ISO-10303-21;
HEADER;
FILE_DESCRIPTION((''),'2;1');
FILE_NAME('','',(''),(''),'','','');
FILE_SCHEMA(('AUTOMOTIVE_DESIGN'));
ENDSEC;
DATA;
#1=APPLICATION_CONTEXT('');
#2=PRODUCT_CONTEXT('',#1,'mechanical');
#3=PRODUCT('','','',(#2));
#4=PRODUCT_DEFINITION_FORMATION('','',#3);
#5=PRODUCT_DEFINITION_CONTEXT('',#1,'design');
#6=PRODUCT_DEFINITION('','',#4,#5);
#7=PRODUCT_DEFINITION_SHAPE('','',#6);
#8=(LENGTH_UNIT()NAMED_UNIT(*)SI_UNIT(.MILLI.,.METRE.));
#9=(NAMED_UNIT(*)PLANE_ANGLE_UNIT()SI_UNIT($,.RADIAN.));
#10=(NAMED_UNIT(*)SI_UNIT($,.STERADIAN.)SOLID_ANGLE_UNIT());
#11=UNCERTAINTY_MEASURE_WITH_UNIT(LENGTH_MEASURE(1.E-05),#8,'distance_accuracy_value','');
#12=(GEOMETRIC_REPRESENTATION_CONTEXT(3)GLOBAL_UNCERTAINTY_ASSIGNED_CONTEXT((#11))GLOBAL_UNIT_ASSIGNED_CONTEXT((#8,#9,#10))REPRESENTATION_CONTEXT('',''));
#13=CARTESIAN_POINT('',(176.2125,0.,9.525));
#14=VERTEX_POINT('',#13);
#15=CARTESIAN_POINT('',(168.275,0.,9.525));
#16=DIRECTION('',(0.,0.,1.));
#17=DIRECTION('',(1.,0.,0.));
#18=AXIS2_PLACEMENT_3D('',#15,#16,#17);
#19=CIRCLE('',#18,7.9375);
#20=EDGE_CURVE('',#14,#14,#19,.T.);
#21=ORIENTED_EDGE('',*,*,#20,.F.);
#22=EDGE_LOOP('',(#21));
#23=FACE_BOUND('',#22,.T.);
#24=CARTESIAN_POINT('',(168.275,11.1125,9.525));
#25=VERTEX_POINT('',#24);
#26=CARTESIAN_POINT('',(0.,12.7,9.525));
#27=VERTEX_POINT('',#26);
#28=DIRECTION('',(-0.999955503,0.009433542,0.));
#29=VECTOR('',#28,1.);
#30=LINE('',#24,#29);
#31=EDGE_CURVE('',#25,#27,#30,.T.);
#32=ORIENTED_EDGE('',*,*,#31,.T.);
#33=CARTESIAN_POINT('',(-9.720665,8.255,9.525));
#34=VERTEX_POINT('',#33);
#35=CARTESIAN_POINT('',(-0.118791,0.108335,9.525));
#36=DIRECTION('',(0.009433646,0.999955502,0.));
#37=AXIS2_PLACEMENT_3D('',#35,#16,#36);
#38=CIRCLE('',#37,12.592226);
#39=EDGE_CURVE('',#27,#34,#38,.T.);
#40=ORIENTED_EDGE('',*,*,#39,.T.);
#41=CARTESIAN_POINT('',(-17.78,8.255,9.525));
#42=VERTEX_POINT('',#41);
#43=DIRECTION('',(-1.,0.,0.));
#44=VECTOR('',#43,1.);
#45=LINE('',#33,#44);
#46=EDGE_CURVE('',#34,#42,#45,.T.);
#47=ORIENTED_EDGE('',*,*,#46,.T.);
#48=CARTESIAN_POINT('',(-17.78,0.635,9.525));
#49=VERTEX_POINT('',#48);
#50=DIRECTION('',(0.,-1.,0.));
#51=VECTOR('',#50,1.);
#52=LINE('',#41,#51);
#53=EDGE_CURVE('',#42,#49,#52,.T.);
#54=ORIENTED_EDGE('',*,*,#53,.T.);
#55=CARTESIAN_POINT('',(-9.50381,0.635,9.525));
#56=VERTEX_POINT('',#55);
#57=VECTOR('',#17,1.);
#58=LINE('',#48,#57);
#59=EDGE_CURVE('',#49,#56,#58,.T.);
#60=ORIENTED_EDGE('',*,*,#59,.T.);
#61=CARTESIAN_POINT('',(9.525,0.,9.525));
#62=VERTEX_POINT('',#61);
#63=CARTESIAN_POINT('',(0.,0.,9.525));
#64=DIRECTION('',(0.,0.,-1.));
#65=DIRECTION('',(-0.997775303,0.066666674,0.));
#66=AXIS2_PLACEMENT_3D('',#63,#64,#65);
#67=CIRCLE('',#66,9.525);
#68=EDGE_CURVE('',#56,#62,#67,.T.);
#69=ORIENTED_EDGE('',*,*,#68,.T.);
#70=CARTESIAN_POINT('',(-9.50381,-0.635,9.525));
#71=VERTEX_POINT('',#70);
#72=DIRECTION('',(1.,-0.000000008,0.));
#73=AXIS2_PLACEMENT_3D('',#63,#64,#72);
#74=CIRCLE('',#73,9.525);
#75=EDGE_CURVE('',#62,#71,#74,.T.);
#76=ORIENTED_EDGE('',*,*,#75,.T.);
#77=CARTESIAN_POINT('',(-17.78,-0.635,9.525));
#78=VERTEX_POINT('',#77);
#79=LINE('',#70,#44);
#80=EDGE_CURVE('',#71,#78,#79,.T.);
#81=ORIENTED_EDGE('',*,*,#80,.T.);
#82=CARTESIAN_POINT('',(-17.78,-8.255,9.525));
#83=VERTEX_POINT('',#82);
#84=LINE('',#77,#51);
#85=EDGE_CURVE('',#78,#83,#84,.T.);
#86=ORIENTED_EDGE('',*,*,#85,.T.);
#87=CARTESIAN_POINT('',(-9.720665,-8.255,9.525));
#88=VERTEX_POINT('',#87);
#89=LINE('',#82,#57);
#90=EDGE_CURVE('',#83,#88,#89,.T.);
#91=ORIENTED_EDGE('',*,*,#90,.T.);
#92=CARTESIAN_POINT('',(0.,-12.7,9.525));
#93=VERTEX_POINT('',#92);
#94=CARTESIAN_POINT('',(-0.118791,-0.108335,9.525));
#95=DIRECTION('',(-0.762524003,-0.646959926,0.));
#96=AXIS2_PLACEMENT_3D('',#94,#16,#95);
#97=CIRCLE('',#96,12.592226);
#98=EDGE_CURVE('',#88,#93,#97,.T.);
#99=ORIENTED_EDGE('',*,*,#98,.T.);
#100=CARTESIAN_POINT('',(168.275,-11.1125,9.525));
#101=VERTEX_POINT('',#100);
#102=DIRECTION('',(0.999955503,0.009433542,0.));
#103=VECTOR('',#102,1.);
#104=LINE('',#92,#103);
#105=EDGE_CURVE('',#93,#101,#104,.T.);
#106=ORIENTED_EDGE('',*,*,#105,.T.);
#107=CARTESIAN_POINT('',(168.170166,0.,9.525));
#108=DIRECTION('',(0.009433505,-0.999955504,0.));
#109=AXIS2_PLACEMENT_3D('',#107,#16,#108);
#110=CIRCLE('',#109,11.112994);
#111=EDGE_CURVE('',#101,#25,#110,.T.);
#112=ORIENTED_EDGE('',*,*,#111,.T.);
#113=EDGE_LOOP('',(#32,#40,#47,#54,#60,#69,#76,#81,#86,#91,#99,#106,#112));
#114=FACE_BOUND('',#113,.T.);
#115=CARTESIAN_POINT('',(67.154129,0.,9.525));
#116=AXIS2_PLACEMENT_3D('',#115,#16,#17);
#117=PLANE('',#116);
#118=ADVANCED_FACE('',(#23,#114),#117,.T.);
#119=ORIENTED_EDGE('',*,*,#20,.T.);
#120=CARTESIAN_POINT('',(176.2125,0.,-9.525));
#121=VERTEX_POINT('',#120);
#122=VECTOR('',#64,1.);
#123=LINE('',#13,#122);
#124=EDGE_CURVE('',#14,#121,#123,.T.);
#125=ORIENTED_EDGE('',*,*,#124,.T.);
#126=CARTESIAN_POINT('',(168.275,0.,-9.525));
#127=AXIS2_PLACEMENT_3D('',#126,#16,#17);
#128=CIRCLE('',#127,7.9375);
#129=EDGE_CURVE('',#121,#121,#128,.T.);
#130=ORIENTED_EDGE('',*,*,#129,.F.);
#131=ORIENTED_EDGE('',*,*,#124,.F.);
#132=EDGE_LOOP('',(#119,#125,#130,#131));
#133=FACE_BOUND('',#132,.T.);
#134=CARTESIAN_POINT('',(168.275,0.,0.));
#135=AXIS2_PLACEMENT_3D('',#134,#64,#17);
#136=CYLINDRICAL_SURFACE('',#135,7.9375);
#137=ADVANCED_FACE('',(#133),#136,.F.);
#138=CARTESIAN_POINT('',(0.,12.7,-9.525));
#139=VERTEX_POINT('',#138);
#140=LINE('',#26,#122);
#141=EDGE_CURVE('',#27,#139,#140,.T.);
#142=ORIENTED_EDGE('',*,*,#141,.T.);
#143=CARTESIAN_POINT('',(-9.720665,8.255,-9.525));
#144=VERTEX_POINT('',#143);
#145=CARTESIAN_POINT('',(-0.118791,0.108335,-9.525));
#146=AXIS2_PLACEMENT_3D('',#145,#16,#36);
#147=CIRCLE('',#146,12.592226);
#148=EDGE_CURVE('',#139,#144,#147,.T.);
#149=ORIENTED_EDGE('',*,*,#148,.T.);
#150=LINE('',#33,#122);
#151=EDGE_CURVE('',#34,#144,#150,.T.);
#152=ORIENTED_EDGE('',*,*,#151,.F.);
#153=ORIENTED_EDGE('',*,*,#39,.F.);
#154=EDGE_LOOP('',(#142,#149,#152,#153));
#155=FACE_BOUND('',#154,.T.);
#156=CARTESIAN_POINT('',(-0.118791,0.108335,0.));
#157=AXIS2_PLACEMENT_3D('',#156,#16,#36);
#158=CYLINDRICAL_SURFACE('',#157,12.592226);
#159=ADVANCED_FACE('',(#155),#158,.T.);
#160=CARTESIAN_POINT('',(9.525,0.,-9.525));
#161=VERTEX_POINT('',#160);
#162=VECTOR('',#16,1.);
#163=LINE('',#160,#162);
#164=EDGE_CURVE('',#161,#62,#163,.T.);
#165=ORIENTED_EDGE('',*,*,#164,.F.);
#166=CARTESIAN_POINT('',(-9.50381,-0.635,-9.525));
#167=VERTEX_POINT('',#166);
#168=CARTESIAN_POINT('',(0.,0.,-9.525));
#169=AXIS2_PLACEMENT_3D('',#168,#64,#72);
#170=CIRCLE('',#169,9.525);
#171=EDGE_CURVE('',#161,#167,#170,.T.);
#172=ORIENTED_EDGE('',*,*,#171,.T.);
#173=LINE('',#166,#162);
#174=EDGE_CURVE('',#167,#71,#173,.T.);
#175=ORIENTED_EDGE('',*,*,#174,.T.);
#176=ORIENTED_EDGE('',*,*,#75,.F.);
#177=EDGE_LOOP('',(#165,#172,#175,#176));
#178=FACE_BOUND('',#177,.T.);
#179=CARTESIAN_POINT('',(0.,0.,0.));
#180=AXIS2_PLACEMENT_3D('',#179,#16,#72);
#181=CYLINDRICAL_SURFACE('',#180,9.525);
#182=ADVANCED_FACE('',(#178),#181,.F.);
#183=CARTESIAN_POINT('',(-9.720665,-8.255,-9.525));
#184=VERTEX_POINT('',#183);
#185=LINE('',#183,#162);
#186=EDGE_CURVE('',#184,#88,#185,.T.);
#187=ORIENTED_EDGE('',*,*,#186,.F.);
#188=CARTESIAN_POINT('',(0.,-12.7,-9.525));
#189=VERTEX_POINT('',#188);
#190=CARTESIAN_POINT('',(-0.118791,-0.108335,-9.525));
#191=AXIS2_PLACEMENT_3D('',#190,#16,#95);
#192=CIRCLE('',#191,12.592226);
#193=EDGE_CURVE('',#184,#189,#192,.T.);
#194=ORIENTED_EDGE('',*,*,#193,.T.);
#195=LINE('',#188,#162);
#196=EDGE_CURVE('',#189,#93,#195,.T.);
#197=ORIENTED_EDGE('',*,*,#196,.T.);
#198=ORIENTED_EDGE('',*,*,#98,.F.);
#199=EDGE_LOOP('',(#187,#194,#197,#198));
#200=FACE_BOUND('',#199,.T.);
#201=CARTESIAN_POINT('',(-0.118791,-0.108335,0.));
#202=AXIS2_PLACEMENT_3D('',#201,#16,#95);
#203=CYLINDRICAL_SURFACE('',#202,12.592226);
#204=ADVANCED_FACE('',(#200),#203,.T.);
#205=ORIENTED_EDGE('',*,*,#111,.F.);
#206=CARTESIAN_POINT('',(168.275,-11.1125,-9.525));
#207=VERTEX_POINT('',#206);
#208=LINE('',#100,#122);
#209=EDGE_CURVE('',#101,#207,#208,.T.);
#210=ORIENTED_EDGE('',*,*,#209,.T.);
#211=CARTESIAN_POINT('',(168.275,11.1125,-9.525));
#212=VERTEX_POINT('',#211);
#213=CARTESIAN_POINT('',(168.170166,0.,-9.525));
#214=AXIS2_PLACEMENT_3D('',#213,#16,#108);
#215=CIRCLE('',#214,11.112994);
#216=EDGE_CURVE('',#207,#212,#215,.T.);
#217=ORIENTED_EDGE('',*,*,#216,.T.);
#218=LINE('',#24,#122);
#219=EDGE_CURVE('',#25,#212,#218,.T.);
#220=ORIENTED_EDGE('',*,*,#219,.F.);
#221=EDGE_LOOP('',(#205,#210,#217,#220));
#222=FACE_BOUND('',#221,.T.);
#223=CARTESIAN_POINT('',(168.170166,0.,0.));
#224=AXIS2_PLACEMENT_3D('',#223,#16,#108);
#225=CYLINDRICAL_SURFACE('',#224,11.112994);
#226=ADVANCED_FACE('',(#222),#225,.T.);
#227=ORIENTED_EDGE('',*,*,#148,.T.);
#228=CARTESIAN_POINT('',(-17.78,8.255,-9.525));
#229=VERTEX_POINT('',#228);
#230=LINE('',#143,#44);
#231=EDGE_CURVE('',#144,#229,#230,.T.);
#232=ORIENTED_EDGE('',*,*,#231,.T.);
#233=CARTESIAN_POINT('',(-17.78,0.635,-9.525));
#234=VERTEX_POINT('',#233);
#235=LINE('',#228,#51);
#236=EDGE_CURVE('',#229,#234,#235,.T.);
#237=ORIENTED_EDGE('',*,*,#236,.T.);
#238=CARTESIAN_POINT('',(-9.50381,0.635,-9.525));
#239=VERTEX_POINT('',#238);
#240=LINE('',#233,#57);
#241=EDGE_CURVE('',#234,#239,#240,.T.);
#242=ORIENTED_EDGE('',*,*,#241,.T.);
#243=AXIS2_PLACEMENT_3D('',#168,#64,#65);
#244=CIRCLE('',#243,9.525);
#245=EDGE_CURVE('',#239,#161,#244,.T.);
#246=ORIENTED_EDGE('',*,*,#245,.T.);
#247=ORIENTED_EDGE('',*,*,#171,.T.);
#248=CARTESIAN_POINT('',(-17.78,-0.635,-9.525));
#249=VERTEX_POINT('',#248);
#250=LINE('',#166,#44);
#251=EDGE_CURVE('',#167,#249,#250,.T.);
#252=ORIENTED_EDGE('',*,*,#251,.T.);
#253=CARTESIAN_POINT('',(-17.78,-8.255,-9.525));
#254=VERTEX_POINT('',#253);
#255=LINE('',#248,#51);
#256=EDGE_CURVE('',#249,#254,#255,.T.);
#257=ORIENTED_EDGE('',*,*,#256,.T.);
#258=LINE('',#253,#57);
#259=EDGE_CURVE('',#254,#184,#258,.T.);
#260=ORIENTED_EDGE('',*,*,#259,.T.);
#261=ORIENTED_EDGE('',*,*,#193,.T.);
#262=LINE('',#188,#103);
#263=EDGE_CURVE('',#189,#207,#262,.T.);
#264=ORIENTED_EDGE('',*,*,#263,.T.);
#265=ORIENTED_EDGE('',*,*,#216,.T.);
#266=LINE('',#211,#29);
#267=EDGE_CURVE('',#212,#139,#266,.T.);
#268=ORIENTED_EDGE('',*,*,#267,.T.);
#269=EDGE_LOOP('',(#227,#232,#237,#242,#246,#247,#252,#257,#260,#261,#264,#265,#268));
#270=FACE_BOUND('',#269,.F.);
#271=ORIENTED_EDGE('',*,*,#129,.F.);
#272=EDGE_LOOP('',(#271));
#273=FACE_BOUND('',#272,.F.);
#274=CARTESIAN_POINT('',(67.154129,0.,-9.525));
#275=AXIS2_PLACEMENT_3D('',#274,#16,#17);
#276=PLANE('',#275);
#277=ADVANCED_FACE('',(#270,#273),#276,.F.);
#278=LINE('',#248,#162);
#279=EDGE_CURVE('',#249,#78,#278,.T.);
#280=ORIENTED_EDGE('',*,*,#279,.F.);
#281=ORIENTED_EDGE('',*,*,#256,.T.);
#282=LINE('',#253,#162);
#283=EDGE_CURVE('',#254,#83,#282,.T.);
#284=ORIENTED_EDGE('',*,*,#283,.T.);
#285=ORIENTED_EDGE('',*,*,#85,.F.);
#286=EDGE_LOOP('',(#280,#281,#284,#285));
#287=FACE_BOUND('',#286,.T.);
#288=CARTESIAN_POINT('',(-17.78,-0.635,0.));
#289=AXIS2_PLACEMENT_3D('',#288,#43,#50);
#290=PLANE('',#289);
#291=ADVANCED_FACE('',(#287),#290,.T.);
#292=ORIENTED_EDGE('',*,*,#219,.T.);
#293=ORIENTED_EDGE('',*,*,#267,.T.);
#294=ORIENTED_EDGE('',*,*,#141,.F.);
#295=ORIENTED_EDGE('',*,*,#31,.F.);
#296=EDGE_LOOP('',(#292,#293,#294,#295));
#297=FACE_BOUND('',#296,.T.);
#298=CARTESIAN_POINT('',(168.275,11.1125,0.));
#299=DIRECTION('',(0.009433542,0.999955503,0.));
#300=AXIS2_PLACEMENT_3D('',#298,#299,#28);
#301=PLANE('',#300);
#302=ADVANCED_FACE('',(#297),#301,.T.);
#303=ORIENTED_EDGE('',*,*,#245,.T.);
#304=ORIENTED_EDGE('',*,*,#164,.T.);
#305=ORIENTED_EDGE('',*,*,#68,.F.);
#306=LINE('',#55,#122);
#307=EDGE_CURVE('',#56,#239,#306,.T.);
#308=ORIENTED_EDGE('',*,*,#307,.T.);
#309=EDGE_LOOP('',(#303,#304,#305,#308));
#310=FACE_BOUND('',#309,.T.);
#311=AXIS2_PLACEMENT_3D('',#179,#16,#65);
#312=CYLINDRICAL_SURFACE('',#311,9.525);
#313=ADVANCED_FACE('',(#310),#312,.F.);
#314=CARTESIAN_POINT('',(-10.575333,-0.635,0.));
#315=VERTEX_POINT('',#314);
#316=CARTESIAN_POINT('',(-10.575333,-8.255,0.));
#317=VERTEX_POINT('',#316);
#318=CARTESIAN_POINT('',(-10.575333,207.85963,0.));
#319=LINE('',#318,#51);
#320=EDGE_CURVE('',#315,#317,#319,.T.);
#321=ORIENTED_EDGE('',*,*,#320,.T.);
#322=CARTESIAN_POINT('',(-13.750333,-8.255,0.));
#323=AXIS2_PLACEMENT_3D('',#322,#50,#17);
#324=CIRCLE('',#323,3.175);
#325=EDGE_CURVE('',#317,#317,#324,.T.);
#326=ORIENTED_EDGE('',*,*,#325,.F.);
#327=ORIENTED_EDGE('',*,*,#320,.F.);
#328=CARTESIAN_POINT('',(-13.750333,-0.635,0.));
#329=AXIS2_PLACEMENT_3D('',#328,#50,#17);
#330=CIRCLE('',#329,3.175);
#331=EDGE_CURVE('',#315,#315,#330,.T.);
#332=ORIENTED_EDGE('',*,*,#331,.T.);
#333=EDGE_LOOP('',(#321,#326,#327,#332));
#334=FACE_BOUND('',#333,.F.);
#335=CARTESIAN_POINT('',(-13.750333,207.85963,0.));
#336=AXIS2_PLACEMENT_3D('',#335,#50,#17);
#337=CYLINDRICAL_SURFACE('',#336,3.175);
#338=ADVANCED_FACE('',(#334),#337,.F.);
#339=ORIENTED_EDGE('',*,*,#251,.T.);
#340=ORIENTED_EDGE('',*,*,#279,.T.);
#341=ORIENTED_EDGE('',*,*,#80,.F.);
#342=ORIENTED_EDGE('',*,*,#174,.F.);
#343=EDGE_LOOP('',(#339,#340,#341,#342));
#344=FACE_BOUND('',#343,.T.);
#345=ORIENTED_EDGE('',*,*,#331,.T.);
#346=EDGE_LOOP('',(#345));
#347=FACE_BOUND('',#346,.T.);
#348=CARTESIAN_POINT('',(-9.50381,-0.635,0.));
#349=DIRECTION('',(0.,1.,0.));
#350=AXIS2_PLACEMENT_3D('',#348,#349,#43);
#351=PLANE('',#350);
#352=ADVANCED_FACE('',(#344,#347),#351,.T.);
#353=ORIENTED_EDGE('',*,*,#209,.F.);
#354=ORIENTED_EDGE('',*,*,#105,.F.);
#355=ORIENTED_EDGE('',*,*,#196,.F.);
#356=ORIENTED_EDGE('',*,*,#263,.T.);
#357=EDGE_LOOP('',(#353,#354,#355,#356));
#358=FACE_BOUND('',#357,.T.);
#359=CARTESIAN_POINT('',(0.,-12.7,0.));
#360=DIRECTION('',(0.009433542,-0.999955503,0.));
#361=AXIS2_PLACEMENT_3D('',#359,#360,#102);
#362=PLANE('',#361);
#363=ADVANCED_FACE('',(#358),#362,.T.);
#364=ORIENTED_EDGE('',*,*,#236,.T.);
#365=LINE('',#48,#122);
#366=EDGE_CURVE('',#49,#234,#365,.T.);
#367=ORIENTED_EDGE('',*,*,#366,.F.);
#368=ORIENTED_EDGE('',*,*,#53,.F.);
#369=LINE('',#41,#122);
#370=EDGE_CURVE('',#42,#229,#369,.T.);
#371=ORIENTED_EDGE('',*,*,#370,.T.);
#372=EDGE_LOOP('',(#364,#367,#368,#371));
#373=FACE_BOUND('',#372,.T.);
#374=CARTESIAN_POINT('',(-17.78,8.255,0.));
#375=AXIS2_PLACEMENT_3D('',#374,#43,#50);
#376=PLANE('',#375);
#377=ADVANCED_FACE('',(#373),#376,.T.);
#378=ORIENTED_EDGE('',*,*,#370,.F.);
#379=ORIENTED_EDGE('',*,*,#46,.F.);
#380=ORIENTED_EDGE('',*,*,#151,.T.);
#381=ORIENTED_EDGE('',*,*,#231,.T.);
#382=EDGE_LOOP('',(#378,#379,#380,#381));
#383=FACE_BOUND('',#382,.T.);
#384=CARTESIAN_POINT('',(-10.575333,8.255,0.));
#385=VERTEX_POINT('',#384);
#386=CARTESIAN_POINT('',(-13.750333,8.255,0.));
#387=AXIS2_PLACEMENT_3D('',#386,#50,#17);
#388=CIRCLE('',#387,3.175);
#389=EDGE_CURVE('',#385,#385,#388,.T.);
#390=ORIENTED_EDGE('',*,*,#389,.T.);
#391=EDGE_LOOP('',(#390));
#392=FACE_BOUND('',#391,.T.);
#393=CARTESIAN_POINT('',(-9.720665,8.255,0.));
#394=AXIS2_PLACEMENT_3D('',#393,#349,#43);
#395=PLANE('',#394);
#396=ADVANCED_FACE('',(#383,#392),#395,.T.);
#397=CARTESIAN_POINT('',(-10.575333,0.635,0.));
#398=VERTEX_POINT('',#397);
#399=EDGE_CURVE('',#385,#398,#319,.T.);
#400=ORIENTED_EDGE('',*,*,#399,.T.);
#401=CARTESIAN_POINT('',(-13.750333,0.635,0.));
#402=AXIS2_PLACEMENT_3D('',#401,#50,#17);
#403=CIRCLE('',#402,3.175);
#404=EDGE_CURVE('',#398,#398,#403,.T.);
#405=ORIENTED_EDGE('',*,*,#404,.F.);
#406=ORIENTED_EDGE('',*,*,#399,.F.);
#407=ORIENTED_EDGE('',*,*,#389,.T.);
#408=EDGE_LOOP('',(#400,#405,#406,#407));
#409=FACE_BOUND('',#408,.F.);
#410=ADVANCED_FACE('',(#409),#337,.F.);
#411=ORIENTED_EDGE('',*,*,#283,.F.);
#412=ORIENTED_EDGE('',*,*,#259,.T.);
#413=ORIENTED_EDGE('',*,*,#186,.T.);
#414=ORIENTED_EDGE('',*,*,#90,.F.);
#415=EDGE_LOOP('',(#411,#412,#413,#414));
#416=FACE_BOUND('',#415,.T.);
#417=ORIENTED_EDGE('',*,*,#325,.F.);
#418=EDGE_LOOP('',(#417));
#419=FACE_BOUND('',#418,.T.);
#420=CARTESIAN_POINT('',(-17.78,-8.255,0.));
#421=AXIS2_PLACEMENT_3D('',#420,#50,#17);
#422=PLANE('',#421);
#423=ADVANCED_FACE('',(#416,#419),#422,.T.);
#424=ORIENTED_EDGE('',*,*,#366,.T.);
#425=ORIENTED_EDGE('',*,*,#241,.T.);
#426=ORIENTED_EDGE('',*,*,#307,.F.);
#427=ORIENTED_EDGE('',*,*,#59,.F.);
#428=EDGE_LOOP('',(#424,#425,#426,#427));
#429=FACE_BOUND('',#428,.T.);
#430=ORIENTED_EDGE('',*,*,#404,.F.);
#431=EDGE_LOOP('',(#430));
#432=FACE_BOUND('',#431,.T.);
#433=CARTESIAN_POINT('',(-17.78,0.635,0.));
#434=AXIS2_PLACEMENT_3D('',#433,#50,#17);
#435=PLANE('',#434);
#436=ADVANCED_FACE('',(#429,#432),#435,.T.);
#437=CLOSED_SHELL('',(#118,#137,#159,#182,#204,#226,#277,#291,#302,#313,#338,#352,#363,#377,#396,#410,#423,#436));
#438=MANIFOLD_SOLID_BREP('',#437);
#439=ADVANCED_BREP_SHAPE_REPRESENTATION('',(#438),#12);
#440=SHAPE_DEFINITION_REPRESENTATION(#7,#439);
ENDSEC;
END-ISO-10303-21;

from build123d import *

# Parameters (mm, degrees)
F0_R     = 7.9375
F1_DEPTH = 9.525
F3_D     = 6.35


with BuildPart() as f1:
    # F0 (on Top) → F1 (new body, symmetric)
    with BuildSketch(Plane.XY):
        with BuildLine():
            ThreePointArc((-9.50381, 0.635), (0.317677, 9.519701), (9.525, 0))
            ThreePointArc((9.525, 0), (0.317677, -9.519701), (-9.50381, -0.635))
            Line((-9.50381, -0.635), (-12.7, -0.635))
            Line((-12.7, -0.635), (-17.78, -0.635))
            Line((-17.78, -0.635), (-17.78, -8.255))
            Line((-17.78, -8.255), (-9.720665, -8.255))
            ThreePointArc((-9.720665, -8.255), (-5.355366, -11.560078), (0, -12.7))
            Line((0, -12.7), (168.275, -11.1125))
            ThreePointArc((168.275, -11.1125), (179.28316, 0), (168.275, 11.1125))
            Line((168.275, 11.1125), (0, 12.7))
            ThreePointArc((0, 12.7), (-5.355366, 11.560078), (-9.720665, 8.255))
            Line((-9.720665, 8.255), (-17.78, 8.255))
            Line((-17.78, 8.255), (-17.78, 0.635))
            Line((-17.78, 0.635), (-12.7, 0.635))
            Line((-12.7, 0.635), (-9.50381, 0.635))
        make_face()
        with Locations((168.275, 0)):
            Circle(F0_R, mode=Mode.SUBTRACT)
    extrude(amount=F1_DEPTH, both=True)

    # F3 (through all)
    with Locations(Plane(origin=(0, 8.255, 0), x_dir=(-1, 0, 0), z_dir=(0, 1, 0))):
        with Locations((13.750333, 0)):
            Hole(F3_D / 2)


solid = f1.part
